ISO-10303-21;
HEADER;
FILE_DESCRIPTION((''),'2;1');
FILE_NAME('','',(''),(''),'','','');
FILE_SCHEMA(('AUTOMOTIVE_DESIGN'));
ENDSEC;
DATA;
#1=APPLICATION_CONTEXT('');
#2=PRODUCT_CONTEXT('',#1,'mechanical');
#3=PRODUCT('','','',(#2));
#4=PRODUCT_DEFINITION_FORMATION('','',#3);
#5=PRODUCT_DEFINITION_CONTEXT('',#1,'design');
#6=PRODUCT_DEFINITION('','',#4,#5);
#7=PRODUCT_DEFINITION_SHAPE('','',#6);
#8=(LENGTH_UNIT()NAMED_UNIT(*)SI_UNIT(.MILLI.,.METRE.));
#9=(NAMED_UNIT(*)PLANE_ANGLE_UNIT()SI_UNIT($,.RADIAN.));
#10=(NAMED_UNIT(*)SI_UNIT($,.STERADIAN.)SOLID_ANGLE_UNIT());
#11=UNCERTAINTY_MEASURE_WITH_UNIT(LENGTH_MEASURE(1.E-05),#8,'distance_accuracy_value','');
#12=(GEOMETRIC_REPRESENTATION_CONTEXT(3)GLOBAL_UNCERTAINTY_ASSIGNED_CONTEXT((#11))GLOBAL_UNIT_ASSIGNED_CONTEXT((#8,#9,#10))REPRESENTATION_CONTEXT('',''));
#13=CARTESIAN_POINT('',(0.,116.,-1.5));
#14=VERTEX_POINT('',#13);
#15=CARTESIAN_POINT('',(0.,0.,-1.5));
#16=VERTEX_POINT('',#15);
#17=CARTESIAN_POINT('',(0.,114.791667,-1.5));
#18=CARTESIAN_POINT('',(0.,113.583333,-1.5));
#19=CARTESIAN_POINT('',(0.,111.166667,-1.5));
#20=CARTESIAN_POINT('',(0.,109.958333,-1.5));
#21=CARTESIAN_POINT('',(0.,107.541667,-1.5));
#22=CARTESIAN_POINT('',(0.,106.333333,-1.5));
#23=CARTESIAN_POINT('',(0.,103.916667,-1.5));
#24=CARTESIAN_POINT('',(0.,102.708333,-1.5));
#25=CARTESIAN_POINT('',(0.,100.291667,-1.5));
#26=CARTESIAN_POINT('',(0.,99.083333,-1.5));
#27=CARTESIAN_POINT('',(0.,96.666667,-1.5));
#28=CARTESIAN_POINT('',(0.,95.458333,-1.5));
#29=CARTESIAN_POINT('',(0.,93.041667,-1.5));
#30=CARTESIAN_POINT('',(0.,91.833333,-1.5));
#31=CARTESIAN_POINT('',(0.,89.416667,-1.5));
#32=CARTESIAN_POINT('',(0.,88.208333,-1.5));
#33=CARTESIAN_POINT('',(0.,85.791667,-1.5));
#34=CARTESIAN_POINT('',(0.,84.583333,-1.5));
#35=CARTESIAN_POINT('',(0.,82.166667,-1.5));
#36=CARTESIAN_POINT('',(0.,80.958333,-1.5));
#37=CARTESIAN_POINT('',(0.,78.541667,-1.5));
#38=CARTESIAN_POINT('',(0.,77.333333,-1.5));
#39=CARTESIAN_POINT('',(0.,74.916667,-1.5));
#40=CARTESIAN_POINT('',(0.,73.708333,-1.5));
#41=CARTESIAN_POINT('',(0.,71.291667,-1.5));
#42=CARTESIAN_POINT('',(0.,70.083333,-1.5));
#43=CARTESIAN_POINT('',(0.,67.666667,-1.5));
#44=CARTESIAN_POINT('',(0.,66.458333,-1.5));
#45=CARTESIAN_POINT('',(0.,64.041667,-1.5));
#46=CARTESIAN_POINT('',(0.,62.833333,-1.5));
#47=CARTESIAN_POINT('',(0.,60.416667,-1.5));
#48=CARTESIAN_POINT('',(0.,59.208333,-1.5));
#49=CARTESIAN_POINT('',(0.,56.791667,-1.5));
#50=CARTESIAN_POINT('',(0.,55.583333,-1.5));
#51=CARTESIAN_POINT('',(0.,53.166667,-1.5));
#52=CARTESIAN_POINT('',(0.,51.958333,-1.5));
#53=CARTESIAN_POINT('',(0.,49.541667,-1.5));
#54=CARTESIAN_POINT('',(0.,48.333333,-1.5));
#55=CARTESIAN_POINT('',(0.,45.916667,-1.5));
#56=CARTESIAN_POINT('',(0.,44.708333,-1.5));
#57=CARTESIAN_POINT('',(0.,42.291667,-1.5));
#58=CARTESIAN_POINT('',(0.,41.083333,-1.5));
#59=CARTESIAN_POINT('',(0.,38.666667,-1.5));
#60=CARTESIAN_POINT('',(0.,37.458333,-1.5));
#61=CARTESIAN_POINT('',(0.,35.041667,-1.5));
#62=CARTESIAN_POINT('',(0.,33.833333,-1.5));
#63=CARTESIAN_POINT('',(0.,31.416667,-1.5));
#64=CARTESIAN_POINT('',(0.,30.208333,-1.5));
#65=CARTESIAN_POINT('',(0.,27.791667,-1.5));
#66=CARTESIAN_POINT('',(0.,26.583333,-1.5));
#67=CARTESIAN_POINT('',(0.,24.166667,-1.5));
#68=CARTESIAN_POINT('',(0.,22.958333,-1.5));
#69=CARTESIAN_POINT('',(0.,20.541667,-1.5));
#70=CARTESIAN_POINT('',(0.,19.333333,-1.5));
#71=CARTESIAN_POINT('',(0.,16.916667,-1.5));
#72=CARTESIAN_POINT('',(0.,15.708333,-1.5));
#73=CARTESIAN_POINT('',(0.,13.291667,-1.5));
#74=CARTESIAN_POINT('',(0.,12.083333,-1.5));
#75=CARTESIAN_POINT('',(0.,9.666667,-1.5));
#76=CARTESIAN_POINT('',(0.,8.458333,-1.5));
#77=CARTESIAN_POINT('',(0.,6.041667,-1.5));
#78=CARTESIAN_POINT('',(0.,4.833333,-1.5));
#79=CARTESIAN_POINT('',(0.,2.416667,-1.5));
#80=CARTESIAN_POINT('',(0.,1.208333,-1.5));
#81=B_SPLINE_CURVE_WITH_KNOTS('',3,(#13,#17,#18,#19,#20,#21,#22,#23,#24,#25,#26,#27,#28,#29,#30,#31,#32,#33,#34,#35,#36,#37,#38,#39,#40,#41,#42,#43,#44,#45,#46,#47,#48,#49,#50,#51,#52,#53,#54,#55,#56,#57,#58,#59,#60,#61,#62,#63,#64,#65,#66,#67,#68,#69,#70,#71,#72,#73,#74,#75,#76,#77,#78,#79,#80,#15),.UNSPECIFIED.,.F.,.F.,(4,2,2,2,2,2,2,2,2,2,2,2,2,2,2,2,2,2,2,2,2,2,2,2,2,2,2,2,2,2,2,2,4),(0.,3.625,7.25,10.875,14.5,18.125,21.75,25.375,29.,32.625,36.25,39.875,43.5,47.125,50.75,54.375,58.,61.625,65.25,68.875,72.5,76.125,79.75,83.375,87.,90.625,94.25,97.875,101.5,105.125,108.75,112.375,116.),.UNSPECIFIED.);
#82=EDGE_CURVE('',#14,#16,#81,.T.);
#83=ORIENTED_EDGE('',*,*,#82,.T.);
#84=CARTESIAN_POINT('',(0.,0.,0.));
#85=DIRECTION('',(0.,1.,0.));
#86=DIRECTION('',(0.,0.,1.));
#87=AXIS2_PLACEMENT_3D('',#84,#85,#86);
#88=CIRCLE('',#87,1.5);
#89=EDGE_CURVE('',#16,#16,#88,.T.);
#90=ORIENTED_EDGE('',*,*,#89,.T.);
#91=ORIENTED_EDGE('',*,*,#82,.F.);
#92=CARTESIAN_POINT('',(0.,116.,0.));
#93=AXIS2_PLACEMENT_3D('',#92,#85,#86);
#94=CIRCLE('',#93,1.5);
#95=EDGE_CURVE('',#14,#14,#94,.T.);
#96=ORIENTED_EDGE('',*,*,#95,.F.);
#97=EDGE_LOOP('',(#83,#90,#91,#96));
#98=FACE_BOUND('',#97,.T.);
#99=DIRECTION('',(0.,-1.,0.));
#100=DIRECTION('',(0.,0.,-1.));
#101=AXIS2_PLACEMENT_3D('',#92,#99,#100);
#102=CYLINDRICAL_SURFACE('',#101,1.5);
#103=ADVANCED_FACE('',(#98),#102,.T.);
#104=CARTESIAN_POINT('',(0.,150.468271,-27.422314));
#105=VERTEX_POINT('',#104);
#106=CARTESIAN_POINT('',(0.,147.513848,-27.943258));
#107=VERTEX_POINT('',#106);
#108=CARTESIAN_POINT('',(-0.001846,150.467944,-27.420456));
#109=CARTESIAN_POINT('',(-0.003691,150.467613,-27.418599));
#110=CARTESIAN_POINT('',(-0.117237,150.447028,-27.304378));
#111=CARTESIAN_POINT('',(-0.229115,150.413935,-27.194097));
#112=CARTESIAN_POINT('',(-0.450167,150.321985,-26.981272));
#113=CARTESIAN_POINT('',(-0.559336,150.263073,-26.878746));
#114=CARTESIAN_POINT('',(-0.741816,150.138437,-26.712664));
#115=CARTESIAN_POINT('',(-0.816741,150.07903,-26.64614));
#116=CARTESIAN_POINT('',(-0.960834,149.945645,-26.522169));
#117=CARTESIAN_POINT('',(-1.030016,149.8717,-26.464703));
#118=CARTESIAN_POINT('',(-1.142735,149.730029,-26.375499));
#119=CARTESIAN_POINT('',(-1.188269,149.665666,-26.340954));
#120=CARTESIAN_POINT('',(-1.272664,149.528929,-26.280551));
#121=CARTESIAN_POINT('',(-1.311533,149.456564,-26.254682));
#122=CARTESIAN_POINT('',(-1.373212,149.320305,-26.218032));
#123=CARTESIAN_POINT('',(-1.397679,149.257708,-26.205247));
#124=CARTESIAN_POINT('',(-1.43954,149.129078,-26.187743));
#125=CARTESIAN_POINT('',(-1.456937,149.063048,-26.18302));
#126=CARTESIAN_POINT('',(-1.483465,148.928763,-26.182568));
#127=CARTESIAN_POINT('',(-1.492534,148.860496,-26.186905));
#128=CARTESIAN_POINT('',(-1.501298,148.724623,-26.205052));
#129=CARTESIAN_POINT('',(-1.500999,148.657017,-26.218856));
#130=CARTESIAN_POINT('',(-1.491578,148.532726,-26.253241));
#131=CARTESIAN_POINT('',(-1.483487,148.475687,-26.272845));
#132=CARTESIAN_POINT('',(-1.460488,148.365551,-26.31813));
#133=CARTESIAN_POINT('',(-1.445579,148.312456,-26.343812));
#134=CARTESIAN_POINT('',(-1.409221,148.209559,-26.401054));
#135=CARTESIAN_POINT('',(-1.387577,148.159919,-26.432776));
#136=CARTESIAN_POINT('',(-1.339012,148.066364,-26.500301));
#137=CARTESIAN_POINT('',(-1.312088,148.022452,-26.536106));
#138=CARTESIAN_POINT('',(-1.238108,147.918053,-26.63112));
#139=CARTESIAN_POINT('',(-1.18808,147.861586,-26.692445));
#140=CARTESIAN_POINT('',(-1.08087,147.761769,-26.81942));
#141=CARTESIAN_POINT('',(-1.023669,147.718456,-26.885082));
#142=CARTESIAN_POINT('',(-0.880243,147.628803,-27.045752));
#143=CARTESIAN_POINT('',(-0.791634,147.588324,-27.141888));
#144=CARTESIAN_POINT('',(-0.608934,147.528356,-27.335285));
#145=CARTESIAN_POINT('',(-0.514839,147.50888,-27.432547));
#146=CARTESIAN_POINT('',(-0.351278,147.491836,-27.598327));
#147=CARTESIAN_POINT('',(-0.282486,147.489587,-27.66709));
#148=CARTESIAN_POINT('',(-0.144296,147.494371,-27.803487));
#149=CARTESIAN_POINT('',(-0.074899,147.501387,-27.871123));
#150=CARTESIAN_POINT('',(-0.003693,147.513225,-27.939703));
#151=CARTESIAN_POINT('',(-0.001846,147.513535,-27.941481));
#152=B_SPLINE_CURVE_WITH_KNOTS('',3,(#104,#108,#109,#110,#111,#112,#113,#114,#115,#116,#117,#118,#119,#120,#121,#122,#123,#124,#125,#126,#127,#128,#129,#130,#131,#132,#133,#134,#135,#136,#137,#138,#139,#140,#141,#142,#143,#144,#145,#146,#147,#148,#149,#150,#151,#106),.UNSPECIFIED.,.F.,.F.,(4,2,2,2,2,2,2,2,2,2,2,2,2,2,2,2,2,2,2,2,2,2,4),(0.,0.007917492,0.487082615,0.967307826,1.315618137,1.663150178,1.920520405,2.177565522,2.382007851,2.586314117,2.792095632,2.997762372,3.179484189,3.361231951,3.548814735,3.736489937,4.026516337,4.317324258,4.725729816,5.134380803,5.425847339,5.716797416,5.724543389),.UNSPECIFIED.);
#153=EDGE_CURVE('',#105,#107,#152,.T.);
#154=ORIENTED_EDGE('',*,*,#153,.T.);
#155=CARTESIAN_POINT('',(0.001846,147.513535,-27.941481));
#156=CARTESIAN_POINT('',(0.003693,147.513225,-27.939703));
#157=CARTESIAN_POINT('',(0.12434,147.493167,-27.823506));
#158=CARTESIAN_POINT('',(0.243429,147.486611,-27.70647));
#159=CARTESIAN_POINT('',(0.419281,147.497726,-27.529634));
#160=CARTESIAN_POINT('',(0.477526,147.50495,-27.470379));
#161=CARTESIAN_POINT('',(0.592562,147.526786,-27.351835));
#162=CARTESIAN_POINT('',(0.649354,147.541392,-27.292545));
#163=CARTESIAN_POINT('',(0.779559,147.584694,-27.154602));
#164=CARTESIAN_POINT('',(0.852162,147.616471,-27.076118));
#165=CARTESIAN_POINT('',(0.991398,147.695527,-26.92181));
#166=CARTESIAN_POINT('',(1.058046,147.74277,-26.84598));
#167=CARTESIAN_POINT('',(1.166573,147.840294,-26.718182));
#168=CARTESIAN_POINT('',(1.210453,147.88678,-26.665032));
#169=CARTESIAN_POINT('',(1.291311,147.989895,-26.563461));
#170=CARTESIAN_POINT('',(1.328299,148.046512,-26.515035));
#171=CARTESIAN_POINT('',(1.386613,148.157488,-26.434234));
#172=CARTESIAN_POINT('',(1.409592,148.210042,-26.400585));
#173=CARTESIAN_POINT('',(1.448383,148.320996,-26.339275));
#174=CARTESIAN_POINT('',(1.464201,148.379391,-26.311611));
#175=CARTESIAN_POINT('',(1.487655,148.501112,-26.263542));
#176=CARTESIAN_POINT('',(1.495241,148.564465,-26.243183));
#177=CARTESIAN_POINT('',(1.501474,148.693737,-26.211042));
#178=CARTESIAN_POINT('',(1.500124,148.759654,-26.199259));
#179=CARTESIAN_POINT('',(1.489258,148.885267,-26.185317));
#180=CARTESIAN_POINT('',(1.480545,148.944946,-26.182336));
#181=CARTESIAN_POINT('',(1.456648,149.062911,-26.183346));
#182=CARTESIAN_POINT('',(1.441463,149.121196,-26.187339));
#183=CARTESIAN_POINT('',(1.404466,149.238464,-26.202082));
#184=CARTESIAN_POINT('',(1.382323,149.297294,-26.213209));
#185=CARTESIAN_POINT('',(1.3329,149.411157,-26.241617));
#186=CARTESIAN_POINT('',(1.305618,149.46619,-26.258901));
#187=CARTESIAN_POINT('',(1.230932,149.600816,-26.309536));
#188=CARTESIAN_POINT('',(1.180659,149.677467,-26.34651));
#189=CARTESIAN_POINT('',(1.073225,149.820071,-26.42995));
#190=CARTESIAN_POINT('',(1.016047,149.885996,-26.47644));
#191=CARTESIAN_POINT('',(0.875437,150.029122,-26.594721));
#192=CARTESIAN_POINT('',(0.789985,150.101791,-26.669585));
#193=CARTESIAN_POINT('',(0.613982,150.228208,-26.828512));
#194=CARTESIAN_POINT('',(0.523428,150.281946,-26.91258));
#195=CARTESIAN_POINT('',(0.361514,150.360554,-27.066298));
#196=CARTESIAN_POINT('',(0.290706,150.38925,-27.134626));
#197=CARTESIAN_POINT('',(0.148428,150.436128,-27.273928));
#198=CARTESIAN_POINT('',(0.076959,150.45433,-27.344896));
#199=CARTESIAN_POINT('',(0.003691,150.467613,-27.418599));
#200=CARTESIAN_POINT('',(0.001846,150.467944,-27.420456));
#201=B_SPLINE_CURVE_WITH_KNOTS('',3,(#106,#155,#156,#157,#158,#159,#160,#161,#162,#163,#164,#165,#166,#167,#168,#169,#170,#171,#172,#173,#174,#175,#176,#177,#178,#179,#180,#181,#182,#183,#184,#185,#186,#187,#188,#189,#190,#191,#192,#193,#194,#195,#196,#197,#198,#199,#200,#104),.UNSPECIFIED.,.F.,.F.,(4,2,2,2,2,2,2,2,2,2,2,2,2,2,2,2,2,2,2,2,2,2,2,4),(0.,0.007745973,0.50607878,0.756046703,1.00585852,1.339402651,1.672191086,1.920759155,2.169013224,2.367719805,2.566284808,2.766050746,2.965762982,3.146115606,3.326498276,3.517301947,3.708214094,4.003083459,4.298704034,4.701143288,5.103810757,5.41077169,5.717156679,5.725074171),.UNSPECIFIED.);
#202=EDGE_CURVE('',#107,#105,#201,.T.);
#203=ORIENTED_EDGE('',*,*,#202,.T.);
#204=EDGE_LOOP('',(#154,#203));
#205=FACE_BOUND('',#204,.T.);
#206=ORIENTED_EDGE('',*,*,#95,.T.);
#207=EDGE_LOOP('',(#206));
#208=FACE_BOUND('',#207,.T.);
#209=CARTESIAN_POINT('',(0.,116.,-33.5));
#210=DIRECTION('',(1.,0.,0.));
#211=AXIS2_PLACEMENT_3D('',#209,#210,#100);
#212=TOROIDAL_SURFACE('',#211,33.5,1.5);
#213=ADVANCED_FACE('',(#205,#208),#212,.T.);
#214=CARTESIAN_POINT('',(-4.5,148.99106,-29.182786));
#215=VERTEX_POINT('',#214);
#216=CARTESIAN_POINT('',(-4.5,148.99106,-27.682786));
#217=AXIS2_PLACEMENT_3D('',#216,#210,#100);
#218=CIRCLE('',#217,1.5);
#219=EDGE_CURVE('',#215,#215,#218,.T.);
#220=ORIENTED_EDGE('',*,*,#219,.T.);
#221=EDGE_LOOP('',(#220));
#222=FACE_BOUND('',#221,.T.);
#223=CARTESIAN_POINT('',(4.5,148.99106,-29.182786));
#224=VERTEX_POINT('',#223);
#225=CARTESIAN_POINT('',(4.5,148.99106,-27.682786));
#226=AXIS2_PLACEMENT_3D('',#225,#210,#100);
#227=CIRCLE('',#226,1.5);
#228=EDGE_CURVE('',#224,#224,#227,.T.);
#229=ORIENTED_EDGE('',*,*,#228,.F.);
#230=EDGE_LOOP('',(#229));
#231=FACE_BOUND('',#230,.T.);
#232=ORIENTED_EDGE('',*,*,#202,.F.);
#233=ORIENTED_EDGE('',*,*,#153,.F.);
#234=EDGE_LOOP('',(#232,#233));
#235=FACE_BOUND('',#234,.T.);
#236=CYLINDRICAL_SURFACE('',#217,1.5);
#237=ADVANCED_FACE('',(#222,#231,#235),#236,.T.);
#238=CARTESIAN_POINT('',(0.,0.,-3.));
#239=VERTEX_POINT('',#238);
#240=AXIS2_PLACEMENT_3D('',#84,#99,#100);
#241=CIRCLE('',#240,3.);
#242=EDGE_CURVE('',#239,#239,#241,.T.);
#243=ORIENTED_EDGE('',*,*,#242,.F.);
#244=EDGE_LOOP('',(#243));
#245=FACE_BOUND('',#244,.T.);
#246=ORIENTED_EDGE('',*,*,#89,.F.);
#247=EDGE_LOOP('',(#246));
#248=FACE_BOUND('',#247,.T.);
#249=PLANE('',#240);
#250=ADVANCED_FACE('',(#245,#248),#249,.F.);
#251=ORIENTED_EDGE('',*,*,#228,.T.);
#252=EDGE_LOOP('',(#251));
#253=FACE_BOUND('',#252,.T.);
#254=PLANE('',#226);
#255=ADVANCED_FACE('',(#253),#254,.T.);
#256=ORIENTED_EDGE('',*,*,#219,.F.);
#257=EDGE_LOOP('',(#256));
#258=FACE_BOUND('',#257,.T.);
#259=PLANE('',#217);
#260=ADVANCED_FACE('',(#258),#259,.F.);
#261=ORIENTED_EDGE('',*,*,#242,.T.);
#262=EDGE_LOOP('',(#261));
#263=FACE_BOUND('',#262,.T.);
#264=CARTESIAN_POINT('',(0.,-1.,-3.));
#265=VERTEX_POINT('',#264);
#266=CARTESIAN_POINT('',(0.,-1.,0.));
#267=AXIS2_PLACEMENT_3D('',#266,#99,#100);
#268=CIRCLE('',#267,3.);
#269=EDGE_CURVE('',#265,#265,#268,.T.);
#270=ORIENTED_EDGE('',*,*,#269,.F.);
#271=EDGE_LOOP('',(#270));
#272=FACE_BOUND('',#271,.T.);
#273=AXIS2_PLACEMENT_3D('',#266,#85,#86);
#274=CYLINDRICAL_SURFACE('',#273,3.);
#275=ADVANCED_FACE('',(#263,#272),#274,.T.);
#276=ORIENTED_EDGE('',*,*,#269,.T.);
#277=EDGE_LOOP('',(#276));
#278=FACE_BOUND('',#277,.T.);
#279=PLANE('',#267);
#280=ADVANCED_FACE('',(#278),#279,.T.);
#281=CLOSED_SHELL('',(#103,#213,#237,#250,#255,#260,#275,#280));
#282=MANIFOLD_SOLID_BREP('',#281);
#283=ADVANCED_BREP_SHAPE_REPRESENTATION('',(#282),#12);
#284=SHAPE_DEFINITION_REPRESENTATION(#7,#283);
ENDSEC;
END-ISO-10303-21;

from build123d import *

# Parameters (mm, degrees)
SKETCH1_R                = 1.5
BOSS_EXTRUDE1_DEPTH      = 116
SKETCH4_R                = 3
BOSS_EXTRUDE4_DEPTH      = 1
SKETCH7_R                = 1.5000000000000002
REVOLVE1_ANGLE           = 80.00000000000017
BOSS_EXTRUDE5_DEPTH      = 4.5
BOSS_EXTRUDE5_DEPTH_BACK = 4.5
SKETCH8_R                = 1.5000000000000009


with BuildPart() as part:
    # Sketch1 → Boss-Extrude1 (new body)
    with BuildSketch(Plane(origin=(0, 0, 0), x_dir=(1, 0, 0), z_dir=(0, 1, 0))):
        Circle(SKETCH1_R)
    extrude(amount=BOSS_EXTRUDE1_DEPTH)

    # Sketch4 → Boss-Extrude4 (add)
    with BuildSketch(Plane.XZ):
        Circle(SKETCH4_R)
    extrude(amount=BOSS_EXTRUDE4_DEPTH)

    # Sketch7 → Revolve1 (revolve)
    with BuildSketch(Plane(origin=(0, 116, 0), x_dir=(1, 0, 0), z_dir=(0, 1, 0))):
        Circle(SKETCH7_R)
    revolve(axis=Axis((-42.51012264816653, 116, -33.49999999999999), (-1, 0, 8e-17)), revolution_arc=REVOLVE1_ANGLE)

    # Sketch8 → Boss-Extrude5 (add, two sides: drawn at the far end of the back side and taken through both)
    with BuildSketch(Plane(origin=(0, 0, 0), x_dir=(0, 0, -1), z_dir=(1, 0, 0)).offset(-BOSS_EXTRUDE5_DEPTH_BACK)):
        with Locations((27.682786048157936, 148.99105972590897)):
            Circle(SKETCH8_R)
    extrude(amount=BOSS_EXTRUDE5_DEPTH + BOSS_EXTRUDE5_DEPTH_BACK)


solid = part.part
